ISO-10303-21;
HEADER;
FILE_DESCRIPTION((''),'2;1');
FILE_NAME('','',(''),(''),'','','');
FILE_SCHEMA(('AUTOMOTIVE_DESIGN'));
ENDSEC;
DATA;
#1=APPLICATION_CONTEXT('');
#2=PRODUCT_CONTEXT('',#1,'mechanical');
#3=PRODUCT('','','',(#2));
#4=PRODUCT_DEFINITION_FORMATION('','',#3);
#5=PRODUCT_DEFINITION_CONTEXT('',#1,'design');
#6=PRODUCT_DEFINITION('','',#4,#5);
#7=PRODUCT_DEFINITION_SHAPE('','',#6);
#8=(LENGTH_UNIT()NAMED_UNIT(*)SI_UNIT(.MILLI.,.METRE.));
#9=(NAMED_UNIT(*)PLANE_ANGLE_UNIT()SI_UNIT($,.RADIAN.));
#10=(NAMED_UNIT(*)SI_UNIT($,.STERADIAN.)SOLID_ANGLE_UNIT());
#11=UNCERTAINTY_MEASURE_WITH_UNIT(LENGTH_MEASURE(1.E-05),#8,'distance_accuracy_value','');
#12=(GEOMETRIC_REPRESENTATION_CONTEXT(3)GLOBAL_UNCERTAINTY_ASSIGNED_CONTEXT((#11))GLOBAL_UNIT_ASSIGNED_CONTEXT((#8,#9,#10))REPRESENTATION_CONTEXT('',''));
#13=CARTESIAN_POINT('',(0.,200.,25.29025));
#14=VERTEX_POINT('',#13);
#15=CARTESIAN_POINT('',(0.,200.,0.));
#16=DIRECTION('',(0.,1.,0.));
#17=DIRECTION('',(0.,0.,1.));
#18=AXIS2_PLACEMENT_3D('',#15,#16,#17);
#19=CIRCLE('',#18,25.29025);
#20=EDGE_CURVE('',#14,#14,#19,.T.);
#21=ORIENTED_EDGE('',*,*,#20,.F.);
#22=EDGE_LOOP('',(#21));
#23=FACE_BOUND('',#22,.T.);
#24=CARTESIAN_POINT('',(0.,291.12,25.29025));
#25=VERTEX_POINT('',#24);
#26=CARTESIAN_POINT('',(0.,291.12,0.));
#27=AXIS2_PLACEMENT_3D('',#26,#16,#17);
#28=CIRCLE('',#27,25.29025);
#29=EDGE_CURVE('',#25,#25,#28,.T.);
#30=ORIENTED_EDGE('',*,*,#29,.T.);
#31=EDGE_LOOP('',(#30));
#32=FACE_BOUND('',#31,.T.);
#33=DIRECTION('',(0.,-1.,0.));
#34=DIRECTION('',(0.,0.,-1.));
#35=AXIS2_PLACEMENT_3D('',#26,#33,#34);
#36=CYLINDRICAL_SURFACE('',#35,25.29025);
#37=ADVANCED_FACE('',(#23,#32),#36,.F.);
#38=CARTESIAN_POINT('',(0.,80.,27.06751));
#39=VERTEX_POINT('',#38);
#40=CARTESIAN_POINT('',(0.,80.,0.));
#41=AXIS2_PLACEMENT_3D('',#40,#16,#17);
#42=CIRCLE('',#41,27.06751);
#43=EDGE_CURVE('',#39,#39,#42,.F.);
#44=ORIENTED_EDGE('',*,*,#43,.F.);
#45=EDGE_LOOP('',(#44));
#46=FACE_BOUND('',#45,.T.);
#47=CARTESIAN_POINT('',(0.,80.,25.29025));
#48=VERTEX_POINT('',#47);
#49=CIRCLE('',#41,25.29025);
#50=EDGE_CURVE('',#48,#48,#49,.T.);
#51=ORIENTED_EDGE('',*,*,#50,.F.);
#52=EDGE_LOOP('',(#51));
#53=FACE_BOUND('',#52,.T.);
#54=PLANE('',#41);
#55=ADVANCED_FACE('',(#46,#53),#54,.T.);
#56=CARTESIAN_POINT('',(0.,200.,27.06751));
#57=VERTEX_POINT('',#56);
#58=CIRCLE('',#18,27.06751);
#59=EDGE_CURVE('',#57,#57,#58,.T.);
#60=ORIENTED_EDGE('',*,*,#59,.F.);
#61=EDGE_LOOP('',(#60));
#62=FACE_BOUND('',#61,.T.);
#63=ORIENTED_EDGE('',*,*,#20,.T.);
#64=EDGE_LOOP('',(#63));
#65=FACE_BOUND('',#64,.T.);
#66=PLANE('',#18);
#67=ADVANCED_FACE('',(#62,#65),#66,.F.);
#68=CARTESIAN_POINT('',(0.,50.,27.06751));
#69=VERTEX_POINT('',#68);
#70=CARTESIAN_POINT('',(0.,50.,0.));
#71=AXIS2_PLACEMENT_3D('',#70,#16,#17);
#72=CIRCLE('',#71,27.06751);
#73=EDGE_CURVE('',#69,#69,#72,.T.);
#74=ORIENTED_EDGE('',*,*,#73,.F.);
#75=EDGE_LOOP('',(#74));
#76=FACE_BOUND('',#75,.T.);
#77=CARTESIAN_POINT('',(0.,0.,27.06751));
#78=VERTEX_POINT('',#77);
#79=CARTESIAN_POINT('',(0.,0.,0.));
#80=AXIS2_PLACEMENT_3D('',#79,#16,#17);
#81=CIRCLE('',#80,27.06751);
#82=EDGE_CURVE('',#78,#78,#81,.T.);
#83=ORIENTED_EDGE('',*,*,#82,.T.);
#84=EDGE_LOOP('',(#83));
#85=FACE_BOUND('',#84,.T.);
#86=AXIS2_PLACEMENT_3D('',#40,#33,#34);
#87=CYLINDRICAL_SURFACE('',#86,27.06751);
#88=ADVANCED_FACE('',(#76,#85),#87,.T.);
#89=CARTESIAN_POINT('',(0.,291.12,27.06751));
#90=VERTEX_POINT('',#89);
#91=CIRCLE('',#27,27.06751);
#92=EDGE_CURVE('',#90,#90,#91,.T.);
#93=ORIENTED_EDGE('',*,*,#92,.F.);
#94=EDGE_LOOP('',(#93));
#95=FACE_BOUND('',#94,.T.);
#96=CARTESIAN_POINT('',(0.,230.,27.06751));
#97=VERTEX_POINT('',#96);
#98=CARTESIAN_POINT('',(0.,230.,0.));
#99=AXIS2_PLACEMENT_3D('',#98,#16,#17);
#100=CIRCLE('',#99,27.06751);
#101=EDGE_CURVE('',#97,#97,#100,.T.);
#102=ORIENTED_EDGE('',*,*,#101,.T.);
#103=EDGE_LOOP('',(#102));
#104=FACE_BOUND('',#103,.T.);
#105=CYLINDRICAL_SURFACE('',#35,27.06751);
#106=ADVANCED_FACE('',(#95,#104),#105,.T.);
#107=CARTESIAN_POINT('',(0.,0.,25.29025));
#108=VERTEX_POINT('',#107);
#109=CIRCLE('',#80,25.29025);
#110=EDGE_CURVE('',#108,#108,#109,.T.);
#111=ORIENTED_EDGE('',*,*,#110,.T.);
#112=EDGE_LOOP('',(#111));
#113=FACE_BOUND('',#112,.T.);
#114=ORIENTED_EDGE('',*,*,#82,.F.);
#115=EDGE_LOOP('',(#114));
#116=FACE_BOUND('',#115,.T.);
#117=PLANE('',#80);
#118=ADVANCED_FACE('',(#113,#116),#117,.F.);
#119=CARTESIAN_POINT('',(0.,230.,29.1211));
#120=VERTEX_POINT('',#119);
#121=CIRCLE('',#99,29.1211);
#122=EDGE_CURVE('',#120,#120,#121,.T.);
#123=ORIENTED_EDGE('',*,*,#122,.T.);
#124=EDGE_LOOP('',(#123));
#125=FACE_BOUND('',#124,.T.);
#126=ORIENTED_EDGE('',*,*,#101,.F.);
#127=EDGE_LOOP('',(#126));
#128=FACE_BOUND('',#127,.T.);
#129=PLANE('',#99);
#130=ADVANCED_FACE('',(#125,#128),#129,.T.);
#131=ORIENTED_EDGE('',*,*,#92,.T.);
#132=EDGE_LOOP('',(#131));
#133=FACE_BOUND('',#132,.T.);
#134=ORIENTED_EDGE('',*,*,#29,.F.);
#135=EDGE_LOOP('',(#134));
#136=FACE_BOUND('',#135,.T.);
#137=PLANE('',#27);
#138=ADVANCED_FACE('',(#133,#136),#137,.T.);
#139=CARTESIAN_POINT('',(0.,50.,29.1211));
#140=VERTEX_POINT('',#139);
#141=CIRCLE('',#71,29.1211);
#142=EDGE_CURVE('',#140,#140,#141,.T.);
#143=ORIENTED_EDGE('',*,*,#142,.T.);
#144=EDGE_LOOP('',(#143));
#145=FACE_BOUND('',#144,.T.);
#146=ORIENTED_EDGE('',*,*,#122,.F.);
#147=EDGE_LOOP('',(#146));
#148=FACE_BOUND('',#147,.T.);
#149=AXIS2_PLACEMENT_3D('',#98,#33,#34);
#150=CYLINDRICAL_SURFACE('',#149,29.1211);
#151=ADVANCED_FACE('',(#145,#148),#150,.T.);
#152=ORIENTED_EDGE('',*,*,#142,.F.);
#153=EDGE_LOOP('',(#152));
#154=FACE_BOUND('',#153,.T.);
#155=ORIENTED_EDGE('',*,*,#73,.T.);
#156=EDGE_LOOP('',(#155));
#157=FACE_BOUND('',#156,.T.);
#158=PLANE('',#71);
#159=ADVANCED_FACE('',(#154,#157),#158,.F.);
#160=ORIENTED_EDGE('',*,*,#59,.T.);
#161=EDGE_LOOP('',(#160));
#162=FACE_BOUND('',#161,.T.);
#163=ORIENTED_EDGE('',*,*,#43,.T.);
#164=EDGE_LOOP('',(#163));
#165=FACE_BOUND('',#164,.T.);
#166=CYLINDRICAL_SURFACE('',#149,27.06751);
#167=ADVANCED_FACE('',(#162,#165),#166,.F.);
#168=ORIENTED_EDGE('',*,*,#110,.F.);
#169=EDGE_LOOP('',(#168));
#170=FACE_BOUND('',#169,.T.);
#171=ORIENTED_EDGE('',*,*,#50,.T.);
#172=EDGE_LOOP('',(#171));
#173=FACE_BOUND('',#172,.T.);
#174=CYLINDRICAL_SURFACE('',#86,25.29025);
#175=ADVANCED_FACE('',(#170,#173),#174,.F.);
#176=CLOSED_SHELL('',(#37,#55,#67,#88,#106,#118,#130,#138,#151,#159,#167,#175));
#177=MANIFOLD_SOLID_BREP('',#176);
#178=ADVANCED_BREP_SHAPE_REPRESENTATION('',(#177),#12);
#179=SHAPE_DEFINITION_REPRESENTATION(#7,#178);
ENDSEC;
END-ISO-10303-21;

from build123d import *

# Parameters (mm, degrees)
DRIVER_R            = 27.06751
DRIVER_R_2          = 25.29025
BOSS_EXTRUDE1_DEPTH = 80
BOSS_EXTRUDE2_START = 50
DRIVER_3_R          = 29.1211
DRIVER_3_R_2        = 27.06751
BOSS_EXTRUDE2_DEPTH = 180
BOSS_EXTRUDE3_START = 200
DRIVER_4_R          = 27.06751
DRIVER_4_R_2        = 25.29025
BOSS_EXTRUDE3_DEPTH = 91.12


with BuildPart() as part:
    # driver → Boss-Extrude1 (new body)
    with BuildSketch(Plane(origin=(0, 0, 0), x_dir=(1, 0, 0), z_dir=(0, 1, 0))):
        Circle(DRIVER_R)
        Circle(DRIVER_R_2, mode=Mode.SUBTRACT)
    extrude(amount=BOSS_EXTRUDE1_DEPTH)

    # driver<3> → Boss-Extrude2 (add)
    with BuildSketch(Plane(origin=(0, 0, 0), x_dir=(1, 0, 0), z_dir=(0, 1, 0)).offset(BOSS_EXTRUDE2_START)):
        Circle(DRIVER_3_R)
        Circle(DRIVER_3_R_2, mode=Mode.SUBTRACT)
    extrude(amount=BOSS_EXTRUDE2_DEPTH)

    # driver<4> → Boss-Extrude3 (add)
    with BuildSketch(Plane(origin=(0, 0, 0), x_dir=(1, 0, 0), z_dir=(0, 1, 0)).offset(BOSS_EXTRUDE3_START)):
        Circle(DRIVER_4_R)
        Circle(DRIVER_4_R_2, mode=Mode.SUBTRACT)
    extrude(amount=BOSS_EXTRUDE3_DEPTH)


solid = part.part
